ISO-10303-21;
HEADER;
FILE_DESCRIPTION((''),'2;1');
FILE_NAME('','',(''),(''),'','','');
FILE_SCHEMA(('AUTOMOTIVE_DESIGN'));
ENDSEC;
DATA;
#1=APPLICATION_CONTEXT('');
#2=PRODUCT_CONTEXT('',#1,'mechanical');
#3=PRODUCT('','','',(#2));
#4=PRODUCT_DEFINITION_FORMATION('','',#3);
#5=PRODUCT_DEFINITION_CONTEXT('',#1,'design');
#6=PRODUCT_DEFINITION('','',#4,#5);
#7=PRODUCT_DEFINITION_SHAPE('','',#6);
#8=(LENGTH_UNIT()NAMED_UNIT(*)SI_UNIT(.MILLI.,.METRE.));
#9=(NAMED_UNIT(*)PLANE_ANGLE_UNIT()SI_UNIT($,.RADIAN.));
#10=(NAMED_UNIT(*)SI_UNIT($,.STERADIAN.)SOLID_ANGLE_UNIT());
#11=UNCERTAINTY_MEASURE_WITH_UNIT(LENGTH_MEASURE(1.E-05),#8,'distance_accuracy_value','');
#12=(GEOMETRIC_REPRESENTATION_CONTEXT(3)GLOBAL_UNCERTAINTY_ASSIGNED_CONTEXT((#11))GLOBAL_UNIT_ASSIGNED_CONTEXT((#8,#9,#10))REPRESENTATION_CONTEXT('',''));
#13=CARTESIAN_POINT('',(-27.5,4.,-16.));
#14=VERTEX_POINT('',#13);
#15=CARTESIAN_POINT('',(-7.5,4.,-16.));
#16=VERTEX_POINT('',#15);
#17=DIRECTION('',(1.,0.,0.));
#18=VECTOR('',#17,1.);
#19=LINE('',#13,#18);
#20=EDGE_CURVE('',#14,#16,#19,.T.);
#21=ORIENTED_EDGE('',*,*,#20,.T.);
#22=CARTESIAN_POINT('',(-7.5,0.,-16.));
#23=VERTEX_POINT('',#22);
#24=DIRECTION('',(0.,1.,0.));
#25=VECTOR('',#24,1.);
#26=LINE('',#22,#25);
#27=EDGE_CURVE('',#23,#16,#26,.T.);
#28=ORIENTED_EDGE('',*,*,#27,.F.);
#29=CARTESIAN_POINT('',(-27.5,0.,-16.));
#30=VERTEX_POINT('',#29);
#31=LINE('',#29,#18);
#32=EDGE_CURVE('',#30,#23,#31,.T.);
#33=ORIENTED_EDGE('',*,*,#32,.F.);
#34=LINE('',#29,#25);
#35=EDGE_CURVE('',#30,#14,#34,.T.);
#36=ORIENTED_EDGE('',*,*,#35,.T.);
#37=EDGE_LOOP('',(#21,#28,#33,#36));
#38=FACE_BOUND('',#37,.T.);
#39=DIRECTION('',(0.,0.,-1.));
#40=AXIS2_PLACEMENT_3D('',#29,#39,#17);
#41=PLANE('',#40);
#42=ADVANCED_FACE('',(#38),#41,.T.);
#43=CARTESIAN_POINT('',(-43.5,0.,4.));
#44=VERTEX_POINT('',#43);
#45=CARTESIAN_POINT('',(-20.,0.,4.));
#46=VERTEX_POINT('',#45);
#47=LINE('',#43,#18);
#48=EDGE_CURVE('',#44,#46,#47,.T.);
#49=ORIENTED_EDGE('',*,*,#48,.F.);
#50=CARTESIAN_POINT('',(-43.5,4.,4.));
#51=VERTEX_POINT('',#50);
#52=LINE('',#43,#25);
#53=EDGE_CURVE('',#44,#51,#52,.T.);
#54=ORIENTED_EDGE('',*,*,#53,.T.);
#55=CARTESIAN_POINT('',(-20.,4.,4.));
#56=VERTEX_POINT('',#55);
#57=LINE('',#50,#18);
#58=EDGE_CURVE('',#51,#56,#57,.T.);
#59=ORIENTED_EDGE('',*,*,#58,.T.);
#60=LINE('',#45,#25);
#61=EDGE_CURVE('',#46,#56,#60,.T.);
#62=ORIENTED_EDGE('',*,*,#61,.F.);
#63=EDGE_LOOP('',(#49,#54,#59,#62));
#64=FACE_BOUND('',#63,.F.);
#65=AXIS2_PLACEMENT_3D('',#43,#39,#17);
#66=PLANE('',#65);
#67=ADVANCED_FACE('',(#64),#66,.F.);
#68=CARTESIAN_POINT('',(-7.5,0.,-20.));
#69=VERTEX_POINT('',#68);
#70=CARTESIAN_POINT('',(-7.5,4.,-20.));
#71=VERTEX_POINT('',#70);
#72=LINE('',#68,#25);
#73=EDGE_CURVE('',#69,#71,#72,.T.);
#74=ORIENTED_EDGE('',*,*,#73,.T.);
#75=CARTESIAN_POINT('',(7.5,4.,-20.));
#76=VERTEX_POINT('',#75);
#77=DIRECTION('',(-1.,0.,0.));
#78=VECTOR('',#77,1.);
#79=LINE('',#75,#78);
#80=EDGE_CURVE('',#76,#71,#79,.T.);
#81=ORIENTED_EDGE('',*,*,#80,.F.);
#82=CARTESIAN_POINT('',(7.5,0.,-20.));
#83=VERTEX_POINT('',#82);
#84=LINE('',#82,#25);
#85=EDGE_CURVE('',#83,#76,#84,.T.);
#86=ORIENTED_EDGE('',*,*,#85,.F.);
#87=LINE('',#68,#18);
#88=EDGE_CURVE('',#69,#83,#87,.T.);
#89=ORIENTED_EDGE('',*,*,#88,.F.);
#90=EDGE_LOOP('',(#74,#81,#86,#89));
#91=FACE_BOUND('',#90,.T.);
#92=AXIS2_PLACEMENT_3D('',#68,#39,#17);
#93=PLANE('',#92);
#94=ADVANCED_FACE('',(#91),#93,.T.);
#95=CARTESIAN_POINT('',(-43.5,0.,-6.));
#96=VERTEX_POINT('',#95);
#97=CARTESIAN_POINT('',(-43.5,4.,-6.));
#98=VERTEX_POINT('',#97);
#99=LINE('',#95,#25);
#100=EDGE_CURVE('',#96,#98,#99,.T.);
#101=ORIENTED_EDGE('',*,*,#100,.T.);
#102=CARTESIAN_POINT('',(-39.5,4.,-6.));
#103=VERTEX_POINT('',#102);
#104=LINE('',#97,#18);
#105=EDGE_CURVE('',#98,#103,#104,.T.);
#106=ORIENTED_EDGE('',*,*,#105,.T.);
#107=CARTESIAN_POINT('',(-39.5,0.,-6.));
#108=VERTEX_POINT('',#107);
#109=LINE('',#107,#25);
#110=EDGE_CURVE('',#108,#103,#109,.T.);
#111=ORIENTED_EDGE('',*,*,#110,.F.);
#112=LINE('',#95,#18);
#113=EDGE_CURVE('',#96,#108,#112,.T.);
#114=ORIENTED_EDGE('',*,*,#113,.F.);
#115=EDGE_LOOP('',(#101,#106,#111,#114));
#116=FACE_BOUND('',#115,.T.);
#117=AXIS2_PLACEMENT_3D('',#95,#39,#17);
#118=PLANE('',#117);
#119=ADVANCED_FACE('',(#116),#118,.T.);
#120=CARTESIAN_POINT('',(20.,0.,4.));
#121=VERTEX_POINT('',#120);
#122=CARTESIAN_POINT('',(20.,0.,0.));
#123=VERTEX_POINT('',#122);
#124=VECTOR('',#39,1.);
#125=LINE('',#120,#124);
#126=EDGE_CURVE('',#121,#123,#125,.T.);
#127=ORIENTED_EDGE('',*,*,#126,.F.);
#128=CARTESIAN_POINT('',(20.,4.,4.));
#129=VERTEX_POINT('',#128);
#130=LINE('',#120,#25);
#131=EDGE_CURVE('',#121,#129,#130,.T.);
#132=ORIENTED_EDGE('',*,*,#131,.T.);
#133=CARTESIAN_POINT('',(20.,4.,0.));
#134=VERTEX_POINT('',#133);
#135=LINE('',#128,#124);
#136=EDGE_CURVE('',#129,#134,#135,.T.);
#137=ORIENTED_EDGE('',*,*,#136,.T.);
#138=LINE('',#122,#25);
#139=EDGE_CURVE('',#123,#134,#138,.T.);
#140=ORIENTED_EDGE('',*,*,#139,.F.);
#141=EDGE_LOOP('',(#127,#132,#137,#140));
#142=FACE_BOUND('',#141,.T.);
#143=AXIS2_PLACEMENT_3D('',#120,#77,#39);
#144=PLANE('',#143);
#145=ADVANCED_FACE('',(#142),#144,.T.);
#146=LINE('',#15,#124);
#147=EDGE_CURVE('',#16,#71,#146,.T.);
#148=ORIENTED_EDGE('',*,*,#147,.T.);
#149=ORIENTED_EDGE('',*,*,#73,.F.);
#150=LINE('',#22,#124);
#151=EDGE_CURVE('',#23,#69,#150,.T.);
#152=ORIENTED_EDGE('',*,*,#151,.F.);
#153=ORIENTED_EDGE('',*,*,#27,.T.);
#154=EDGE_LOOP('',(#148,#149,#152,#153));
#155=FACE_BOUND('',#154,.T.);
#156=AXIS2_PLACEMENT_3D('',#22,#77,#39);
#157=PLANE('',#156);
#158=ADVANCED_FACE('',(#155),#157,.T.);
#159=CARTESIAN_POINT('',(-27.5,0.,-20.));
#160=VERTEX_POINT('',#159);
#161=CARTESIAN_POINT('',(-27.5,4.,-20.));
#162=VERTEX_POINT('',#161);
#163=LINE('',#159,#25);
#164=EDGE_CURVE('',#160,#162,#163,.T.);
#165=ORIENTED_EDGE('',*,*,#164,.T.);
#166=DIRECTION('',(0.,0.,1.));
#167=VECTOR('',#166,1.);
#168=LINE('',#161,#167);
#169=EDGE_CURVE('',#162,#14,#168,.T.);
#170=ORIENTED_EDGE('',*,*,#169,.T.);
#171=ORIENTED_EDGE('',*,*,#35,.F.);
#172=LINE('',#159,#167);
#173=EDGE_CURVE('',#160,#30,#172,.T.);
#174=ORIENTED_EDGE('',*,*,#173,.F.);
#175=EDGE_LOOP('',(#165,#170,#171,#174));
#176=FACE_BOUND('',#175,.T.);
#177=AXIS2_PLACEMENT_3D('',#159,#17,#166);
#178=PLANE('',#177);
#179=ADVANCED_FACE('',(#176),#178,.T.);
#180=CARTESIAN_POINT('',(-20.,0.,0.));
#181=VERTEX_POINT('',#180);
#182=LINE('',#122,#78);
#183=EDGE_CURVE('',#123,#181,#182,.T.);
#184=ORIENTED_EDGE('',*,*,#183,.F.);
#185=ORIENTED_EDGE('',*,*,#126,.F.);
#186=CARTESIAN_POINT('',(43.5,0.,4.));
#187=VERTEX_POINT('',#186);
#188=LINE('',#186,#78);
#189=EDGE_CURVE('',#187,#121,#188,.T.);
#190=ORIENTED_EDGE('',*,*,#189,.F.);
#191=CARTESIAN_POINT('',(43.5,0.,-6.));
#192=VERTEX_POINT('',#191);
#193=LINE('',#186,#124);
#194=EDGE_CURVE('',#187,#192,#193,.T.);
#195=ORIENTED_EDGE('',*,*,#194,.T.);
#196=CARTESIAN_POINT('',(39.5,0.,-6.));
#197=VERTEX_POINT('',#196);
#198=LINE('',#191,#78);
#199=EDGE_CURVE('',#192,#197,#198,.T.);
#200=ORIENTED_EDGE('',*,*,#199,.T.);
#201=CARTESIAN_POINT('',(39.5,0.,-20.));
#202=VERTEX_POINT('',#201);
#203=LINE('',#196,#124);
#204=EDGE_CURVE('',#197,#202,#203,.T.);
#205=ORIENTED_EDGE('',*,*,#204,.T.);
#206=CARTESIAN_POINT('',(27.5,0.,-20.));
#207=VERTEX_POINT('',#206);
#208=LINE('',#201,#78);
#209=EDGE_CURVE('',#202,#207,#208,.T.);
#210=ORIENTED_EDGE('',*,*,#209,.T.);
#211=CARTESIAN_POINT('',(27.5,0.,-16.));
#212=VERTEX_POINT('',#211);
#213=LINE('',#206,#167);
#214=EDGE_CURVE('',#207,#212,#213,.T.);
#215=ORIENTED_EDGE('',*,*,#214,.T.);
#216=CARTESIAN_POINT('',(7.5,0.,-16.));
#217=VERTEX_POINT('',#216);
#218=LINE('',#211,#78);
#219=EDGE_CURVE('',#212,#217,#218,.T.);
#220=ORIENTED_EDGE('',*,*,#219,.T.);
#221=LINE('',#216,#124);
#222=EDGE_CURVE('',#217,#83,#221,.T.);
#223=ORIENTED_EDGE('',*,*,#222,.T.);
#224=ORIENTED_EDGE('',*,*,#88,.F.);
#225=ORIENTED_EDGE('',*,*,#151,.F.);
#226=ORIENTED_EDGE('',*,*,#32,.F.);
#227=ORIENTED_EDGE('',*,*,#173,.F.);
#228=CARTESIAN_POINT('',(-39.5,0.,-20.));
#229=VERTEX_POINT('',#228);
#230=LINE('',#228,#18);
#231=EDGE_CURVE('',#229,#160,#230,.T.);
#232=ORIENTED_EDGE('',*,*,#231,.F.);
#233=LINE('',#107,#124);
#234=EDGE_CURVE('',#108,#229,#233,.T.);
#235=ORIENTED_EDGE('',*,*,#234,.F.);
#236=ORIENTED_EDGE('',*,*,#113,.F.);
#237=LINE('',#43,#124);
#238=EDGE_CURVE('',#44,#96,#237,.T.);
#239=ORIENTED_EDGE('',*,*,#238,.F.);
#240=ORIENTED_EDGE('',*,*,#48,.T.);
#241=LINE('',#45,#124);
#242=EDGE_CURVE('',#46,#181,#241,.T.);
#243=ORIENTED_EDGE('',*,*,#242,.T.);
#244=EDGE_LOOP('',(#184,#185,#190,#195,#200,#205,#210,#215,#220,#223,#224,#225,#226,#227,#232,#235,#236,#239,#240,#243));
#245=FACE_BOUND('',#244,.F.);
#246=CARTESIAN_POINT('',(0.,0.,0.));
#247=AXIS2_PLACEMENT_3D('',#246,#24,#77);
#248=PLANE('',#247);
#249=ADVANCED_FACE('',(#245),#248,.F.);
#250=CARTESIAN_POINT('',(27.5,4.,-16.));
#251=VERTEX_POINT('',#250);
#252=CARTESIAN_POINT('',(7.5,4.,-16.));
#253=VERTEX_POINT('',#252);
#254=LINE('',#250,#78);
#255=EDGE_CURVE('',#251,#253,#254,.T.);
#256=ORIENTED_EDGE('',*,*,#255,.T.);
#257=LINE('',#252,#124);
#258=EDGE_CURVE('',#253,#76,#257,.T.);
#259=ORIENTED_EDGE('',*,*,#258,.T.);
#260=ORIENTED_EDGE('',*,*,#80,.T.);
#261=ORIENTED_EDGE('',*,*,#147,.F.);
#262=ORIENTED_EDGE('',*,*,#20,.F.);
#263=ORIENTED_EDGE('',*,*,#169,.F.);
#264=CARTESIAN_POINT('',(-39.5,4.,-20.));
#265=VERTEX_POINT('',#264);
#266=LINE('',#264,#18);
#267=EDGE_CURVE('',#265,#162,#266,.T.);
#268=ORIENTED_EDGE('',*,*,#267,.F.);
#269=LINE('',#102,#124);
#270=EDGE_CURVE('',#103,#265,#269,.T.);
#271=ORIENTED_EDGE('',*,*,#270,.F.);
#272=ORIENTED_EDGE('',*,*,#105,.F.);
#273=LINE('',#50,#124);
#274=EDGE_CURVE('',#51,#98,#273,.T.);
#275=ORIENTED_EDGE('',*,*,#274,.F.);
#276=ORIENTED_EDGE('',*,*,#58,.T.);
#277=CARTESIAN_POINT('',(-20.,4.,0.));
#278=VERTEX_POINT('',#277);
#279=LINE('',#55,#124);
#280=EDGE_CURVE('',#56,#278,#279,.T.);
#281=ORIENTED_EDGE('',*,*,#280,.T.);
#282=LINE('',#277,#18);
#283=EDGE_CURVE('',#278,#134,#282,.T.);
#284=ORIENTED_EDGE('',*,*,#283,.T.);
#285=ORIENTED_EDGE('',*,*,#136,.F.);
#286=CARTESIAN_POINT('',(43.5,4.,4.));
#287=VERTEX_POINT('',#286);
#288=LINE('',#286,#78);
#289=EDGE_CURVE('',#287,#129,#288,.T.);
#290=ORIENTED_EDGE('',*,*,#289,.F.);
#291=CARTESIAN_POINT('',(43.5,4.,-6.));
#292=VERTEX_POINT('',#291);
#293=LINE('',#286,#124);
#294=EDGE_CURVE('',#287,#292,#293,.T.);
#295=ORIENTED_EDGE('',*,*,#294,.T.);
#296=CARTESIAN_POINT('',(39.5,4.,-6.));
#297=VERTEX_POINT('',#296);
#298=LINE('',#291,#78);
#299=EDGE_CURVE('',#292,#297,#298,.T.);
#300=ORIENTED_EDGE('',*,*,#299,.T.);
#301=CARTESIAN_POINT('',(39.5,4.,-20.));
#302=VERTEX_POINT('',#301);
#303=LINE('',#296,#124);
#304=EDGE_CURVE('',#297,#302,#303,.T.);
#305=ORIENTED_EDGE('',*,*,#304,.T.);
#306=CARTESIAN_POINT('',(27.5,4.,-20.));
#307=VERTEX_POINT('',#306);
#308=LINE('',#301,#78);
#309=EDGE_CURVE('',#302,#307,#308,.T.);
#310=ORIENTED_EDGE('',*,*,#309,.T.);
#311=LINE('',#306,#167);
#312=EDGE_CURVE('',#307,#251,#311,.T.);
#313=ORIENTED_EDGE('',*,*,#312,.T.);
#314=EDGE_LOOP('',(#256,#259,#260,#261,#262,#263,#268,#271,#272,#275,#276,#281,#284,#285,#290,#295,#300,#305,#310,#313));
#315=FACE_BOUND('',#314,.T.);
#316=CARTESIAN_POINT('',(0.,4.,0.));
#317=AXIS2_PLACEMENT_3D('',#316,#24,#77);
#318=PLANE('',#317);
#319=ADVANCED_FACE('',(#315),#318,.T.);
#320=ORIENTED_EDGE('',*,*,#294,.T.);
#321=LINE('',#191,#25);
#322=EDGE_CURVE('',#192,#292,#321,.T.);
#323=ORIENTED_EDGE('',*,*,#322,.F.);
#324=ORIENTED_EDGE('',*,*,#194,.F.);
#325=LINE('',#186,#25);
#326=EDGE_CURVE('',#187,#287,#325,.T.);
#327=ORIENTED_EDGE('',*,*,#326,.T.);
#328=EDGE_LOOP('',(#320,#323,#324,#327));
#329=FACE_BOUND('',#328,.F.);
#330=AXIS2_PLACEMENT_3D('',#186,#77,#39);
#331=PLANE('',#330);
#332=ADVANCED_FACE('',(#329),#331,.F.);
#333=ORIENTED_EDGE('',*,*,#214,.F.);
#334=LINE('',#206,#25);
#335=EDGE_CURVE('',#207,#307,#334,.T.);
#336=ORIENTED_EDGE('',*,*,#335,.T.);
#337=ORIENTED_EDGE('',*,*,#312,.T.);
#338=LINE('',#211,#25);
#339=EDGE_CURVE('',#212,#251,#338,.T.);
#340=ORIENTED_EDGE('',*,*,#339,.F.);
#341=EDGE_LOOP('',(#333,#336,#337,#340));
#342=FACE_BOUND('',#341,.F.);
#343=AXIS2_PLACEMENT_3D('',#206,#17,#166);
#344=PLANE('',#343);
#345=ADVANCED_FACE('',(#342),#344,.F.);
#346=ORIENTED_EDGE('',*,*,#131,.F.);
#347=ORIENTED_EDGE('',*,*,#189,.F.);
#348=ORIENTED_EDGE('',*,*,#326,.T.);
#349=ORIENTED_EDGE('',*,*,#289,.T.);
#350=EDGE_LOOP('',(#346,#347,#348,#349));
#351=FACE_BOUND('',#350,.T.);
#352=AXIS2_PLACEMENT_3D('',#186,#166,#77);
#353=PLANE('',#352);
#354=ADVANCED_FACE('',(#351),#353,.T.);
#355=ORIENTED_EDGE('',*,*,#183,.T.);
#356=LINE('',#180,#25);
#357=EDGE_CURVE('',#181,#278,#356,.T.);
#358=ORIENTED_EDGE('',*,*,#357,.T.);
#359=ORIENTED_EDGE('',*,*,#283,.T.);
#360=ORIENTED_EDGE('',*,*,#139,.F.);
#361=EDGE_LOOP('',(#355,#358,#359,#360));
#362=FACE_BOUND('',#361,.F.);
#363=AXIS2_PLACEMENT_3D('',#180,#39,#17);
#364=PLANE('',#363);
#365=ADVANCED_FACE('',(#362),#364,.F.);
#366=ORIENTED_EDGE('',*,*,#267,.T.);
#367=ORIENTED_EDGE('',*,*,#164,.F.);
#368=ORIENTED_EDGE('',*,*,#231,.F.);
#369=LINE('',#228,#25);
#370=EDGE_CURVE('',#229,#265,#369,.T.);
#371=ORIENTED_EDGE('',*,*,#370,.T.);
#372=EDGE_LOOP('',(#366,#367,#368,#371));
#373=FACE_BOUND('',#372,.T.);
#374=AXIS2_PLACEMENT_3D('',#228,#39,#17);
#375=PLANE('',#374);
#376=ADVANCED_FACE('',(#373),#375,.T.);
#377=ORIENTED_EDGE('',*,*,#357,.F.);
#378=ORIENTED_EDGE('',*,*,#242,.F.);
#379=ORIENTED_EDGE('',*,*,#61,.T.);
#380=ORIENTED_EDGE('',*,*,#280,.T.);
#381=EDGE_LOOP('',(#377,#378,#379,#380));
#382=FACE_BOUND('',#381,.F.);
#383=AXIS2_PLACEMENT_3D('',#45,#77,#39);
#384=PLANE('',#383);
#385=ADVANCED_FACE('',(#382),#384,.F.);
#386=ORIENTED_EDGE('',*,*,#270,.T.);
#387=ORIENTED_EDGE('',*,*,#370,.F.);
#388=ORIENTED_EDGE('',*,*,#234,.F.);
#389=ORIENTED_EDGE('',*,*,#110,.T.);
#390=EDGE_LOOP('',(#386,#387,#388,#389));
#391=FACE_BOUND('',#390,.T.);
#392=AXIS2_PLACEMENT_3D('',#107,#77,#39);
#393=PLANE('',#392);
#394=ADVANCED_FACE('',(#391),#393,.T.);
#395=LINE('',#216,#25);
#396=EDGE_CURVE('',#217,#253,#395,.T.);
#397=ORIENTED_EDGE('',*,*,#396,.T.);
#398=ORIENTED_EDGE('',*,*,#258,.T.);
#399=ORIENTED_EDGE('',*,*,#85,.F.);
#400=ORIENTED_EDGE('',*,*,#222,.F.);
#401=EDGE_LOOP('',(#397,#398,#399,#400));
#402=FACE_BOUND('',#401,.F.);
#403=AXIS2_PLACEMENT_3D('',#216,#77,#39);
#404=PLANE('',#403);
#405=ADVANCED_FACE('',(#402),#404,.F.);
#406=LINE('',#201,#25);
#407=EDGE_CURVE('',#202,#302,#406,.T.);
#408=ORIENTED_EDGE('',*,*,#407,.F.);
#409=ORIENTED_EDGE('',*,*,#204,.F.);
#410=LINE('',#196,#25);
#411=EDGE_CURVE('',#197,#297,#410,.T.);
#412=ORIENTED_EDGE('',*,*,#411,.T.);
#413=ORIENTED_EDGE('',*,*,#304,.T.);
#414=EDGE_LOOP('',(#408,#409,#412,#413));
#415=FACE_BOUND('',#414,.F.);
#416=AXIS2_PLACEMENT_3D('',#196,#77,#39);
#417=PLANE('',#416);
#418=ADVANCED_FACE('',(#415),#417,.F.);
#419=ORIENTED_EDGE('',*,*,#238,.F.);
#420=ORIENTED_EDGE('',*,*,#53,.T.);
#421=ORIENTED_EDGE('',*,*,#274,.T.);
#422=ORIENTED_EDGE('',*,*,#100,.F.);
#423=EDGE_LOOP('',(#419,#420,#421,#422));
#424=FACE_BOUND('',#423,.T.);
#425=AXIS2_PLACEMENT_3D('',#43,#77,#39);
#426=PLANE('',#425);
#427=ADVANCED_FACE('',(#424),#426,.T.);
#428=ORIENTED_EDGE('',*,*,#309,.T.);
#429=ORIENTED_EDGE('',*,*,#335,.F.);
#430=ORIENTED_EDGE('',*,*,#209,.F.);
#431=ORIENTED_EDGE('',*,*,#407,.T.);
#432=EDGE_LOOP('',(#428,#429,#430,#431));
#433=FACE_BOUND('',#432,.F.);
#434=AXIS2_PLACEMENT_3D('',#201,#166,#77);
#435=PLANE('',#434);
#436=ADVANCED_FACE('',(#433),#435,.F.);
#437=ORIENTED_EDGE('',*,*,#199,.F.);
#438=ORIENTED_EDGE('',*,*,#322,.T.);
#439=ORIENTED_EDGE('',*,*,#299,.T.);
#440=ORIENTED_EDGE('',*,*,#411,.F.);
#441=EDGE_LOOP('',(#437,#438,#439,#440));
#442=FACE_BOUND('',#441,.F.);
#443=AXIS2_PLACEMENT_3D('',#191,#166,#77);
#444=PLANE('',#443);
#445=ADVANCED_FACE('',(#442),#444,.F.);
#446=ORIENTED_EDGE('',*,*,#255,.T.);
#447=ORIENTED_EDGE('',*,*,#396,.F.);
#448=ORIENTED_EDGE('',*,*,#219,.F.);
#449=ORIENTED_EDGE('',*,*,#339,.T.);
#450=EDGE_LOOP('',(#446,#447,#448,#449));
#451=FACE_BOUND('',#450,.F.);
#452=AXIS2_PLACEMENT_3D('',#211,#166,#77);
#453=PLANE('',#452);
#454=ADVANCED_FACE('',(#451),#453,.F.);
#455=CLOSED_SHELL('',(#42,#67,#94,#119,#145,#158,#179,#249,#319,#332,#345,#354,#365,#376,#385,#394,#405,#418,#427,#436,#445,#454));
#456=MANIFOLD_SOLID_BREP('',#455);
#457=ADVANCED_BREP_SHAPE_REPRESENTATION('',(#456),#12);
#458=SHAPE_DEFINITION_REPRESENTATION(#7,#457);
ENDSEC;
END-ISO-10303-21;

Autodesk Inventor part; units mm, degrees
ref_plane "YZ Plane" through (0, 0, 0) normal (1, 0, 0) x (0, 1, 0)
ref_plane "XZ Plane" through (0, 0, 0) normal (0, 1, 0) x (-1, 0, 0)
ref_plane "XY Plane" through (0, 0, 0) normal (0, 0, 1) x (1, 0, 0)
sketch "Эскиз1" plane through (0, 0, 0) normal (0, 1, 0) x (-1, 0, 0)
  line L0 (43.5, 4) -> (43.5, -6)
  line L1 (43.5, -6) -> (39.5, -6)
  line L2 (39.5, -6) -> (39.5, -20)
  line L3 (39.5, -20) -> (27.5, -20)
  line L4 (27.5, -20) -> (27.5, -16)
  line L5 (27.5, -16) -> (7.5, -16)
  line L6 (7.5, -16) -> (7.5, -20)
  line L7 (7.5, -20) -> (0, -20)
  line L8 (0, -20) -> (0, 0)
  line L9 (-43.5, 4) -> (-43.5, -6)
  line L10 (-43.5, -6) -> (-39.5, -6)
  line L11 (-39.5, -6) -> (-39.5, -20)
  line L12 (-39.5, -20) -> (-27.5, -20)
  line L13 (-27.5, -20) -> (-27.5, -16)
  line L14 (-27.5, -16) -> (-7.5, -16)
  line L15 (-7.5, -16) -> (-7.5, -20)
  line L16 (-7.5, -20) -> (0, -20)
  line L17 (43.5, 4) -> (20, 4)
  line L18 (20, 4) -> (20, 0)
  line L19 (20, 0) -> (0, 0)
  line L20 (-43.5, 4) -> (-20, 4)
  line L21 (-20, 4) -> (-20, 0)
  line L22 (-20, 0) -> (0, 0)
  dimension "d0" = 12
  dimension "d1" = 20
  dimension "d2" = 15
  dimension "d3" = 4
  dimension "d4" = 14
  dimension "d5" = 10
  dimension "d8" = 40
extrude "Выдавливание1" add sketch "Эскиз1" along normal blind 4
properties part number "batN" material "Дерево (береза)"
